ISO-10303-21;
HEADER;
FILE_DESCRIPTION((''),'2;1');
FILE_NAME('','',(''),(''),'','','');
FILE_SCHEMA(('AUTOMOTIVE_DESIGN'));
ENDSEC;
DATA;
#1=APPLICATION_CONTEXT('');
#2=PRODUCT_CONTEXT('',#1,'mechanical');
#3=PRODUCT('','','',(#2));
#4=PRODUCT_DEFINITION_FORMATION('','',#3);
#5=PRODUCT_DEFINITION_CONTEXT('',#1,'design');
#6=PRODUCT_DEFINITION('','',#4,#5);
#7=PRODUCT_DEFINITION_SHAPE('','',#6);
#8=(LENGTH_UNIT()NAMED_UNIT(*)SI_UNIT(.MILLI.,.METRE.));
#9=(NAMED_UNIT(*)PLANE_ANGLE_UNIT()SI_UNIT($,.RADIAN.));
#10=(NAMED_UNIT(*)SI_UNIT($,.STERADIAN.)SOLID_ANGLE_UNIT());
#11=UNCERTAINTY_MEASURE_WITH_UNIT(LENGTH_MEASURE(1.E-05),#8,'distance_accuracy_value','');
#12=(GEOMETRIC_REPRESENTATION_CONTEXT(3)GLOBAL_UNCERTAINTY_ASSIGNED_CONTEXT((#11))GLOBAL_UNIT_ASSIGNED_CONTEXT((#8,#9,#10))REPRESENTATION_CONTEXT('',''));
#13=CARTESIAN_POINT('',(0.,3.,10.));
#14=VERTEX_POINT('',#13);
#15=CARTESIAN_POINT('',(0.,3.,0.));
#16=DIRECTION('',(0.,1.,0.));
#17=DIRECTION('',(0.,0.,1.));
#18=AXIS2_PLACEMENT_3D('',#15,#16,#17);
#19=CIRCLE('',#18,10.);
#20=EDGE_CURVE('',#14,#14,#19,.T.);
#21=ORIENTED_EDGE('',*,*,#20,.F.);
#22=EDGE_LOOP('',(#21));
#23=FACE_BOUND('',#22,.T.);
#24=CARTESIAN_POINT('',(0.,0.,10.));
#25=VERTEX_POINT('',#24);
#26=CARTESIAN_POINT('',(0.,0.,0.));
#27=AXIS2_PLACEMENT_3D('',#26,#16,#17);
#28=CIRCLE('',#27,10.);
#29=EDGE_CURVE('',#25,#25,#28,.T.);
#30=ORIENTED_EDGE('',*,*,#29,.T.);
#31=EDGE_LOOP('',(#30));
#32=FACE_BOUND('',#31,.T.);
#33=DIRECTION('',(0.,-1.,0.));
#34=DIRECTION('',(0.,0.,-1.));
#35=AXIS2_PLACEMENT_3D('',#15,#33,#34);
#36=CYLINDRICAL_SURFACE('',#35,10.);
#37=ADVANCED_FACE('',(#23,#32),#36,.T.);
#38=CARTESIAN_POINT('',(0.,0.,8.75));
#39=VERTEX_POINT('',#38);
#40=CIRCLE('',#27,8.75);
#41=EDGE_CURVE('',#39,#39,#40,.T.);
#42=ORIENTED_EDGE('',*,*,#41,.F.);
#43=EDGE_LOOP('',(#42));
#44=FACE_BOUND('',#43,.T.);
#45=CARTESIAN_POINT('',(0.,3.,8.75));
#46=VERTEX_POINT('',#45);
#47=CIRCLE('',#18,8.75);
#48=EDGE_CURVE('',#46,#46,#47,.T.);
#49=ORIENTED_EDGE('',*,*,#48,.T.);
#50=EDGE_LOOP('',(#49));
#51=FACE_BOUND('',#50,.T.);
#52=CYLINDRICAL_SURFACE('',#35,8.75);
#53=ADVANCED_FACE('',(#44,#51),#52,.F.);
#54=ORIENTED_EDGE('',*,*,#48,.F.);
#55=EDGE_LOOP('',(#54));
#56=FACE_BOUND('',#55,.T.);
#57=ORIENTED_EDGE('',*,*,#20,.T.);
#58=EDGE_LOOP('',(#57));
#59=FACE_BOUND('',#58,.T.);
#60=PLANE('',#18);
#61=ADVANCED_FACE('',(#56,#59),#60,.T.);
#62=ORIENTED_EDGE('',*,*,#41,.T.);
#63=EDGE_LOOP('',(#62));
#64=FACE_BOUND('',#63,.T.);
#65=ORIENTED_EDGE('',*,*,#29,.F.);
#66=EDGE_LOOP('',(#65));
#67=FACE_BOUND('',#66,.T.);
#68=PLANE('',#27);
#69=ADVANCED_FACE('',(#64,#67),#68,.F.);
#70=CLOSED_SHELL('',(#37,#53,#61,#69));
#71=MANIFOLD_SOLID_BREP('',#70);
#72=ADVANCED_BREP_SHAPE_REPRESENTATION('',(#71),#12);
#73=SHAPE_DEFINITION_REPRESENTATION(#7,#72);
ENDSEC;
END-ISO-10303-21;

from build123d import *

# Parameters (mm, degrees)
SKETCH_1_R      = 10
SKETCH_1_R_2    = 8.75
EXTRUDE_1_DEPTH = 3


with BuildPart() as part:
    # Эскиз1 → Бобышка-Вытянуть1 (new body)
    with BuildSketch(Plane(origin=(0, 0, 0), x_dir=(1, 0, 0), z_dir=(0, 1, 0))):
        with Locations(Location((0, 0, 0), (0, 0, 270))):
            Circle(SKETCH_1_R)
        with Locations(Location((0, 0, 0), (0, 0, 270))):
            Circle(SKETCH_1_R_2, mode=Mode.SUBTRACT)
    extrude(amount=EXTRUDE_1_DEPTH)


solid = part.part
